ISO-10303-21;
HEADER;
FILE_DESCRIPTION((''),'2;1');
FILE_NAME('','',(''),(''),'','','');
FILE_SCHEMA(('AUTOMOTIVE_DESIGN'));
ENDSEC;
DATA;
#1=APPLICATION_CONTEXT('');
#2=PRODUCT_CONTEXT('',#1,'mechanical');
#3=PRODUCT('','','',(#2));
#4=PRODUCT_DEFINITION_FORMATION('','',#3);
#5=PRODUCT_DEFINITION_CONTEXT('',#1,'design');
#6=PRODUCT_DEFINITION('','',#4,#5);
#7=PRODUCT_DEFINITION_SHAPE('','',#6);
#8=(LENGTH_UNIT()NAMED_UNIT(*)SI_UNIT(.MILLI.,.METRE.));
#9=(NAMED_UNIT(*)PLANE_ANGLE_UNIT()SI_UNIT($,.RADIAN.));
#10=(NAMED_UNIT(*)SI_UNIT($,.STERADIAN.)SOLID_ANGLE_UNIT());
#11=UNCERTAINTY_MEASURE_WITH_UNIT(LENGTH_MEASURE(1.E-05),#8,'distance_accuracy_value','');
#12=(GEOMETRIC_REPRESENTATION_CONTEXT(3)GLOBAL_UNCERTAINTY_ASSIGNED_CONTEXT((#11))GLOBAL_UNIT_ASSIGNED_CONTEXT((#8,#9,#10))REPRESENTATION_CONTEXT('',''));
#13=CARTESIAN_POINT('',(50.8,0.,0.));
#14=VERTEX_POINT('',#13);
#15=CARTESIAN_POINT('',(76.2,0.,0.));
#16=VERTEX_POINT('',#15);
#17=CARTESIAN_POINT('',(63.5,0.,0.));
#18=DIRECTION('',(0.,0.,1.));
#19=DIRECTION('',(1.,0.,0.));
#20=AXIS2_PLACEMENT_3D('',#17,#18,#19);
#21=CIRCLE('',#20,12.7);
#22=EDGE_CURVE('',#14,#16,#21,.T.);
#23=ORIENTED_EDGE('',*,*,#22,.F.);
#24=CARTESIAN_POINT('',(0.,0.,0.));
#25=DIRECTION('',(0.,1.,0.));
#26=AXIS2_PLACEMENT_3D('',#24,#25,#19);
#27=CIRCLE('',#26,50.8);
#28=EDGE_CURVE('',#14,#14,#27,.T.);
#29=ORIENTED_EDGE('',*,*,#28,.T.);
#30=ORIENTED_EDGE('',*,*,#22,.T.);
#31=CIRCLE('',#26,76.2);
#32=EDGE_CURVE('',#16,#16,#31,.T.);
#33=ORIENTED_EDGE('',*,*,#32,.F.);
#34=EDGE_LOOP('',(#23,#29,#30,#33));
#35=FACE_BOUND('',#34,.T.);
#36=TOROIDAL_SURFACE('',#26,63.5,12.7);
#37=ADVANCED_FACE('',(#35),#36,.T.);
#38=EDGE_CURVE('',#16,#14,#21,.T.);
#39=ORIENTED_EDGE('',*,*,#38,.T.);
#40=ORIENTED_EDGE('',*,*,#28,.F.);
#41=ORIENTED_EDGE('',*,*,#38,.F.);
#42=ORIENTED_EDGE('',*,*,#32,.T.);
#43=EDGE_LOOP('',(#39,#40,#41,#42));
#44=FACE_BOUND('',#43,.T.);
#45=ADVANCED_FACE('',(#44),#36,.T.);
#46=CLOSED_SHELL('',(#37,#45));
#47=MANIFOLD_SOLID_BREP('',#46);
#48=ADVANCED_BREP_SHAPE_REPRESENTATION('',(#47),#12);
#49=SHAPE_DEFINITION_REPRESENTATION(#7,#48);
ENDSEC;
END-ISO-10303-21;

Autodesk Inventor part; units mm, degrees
ref_plane "YZ Plane" through (0, 0, 0) normal (1, 0, 0) x (0, 1, 0)
ref_plane "XZ Plane" through (0, 0, 0) normal (0, 1, 0) x (-1, 0, 0)
ref_plane "XY Plane" through (0, 0, 0) normal (0, 0, 1) x (1, 0, 0)
sketch "Sketch2" plane through (0, 0, 0) normal (0, 0, 1) x (1, 0, 0)
  line L0 (0, 0) -> (63.5, 0)
  circle A0 centre (63.5, 0) radius 12.7
  line L1 (0, 0) -> (0, 20.423)
  dimension "d2" = 63.5
  dimension "d4" = 25.4
revolve "Revolution1" add sketch "Sketch2" angle 360 about axis through (0, 0, 0) along (0, 1, 0)
properties part number "Bumper"
